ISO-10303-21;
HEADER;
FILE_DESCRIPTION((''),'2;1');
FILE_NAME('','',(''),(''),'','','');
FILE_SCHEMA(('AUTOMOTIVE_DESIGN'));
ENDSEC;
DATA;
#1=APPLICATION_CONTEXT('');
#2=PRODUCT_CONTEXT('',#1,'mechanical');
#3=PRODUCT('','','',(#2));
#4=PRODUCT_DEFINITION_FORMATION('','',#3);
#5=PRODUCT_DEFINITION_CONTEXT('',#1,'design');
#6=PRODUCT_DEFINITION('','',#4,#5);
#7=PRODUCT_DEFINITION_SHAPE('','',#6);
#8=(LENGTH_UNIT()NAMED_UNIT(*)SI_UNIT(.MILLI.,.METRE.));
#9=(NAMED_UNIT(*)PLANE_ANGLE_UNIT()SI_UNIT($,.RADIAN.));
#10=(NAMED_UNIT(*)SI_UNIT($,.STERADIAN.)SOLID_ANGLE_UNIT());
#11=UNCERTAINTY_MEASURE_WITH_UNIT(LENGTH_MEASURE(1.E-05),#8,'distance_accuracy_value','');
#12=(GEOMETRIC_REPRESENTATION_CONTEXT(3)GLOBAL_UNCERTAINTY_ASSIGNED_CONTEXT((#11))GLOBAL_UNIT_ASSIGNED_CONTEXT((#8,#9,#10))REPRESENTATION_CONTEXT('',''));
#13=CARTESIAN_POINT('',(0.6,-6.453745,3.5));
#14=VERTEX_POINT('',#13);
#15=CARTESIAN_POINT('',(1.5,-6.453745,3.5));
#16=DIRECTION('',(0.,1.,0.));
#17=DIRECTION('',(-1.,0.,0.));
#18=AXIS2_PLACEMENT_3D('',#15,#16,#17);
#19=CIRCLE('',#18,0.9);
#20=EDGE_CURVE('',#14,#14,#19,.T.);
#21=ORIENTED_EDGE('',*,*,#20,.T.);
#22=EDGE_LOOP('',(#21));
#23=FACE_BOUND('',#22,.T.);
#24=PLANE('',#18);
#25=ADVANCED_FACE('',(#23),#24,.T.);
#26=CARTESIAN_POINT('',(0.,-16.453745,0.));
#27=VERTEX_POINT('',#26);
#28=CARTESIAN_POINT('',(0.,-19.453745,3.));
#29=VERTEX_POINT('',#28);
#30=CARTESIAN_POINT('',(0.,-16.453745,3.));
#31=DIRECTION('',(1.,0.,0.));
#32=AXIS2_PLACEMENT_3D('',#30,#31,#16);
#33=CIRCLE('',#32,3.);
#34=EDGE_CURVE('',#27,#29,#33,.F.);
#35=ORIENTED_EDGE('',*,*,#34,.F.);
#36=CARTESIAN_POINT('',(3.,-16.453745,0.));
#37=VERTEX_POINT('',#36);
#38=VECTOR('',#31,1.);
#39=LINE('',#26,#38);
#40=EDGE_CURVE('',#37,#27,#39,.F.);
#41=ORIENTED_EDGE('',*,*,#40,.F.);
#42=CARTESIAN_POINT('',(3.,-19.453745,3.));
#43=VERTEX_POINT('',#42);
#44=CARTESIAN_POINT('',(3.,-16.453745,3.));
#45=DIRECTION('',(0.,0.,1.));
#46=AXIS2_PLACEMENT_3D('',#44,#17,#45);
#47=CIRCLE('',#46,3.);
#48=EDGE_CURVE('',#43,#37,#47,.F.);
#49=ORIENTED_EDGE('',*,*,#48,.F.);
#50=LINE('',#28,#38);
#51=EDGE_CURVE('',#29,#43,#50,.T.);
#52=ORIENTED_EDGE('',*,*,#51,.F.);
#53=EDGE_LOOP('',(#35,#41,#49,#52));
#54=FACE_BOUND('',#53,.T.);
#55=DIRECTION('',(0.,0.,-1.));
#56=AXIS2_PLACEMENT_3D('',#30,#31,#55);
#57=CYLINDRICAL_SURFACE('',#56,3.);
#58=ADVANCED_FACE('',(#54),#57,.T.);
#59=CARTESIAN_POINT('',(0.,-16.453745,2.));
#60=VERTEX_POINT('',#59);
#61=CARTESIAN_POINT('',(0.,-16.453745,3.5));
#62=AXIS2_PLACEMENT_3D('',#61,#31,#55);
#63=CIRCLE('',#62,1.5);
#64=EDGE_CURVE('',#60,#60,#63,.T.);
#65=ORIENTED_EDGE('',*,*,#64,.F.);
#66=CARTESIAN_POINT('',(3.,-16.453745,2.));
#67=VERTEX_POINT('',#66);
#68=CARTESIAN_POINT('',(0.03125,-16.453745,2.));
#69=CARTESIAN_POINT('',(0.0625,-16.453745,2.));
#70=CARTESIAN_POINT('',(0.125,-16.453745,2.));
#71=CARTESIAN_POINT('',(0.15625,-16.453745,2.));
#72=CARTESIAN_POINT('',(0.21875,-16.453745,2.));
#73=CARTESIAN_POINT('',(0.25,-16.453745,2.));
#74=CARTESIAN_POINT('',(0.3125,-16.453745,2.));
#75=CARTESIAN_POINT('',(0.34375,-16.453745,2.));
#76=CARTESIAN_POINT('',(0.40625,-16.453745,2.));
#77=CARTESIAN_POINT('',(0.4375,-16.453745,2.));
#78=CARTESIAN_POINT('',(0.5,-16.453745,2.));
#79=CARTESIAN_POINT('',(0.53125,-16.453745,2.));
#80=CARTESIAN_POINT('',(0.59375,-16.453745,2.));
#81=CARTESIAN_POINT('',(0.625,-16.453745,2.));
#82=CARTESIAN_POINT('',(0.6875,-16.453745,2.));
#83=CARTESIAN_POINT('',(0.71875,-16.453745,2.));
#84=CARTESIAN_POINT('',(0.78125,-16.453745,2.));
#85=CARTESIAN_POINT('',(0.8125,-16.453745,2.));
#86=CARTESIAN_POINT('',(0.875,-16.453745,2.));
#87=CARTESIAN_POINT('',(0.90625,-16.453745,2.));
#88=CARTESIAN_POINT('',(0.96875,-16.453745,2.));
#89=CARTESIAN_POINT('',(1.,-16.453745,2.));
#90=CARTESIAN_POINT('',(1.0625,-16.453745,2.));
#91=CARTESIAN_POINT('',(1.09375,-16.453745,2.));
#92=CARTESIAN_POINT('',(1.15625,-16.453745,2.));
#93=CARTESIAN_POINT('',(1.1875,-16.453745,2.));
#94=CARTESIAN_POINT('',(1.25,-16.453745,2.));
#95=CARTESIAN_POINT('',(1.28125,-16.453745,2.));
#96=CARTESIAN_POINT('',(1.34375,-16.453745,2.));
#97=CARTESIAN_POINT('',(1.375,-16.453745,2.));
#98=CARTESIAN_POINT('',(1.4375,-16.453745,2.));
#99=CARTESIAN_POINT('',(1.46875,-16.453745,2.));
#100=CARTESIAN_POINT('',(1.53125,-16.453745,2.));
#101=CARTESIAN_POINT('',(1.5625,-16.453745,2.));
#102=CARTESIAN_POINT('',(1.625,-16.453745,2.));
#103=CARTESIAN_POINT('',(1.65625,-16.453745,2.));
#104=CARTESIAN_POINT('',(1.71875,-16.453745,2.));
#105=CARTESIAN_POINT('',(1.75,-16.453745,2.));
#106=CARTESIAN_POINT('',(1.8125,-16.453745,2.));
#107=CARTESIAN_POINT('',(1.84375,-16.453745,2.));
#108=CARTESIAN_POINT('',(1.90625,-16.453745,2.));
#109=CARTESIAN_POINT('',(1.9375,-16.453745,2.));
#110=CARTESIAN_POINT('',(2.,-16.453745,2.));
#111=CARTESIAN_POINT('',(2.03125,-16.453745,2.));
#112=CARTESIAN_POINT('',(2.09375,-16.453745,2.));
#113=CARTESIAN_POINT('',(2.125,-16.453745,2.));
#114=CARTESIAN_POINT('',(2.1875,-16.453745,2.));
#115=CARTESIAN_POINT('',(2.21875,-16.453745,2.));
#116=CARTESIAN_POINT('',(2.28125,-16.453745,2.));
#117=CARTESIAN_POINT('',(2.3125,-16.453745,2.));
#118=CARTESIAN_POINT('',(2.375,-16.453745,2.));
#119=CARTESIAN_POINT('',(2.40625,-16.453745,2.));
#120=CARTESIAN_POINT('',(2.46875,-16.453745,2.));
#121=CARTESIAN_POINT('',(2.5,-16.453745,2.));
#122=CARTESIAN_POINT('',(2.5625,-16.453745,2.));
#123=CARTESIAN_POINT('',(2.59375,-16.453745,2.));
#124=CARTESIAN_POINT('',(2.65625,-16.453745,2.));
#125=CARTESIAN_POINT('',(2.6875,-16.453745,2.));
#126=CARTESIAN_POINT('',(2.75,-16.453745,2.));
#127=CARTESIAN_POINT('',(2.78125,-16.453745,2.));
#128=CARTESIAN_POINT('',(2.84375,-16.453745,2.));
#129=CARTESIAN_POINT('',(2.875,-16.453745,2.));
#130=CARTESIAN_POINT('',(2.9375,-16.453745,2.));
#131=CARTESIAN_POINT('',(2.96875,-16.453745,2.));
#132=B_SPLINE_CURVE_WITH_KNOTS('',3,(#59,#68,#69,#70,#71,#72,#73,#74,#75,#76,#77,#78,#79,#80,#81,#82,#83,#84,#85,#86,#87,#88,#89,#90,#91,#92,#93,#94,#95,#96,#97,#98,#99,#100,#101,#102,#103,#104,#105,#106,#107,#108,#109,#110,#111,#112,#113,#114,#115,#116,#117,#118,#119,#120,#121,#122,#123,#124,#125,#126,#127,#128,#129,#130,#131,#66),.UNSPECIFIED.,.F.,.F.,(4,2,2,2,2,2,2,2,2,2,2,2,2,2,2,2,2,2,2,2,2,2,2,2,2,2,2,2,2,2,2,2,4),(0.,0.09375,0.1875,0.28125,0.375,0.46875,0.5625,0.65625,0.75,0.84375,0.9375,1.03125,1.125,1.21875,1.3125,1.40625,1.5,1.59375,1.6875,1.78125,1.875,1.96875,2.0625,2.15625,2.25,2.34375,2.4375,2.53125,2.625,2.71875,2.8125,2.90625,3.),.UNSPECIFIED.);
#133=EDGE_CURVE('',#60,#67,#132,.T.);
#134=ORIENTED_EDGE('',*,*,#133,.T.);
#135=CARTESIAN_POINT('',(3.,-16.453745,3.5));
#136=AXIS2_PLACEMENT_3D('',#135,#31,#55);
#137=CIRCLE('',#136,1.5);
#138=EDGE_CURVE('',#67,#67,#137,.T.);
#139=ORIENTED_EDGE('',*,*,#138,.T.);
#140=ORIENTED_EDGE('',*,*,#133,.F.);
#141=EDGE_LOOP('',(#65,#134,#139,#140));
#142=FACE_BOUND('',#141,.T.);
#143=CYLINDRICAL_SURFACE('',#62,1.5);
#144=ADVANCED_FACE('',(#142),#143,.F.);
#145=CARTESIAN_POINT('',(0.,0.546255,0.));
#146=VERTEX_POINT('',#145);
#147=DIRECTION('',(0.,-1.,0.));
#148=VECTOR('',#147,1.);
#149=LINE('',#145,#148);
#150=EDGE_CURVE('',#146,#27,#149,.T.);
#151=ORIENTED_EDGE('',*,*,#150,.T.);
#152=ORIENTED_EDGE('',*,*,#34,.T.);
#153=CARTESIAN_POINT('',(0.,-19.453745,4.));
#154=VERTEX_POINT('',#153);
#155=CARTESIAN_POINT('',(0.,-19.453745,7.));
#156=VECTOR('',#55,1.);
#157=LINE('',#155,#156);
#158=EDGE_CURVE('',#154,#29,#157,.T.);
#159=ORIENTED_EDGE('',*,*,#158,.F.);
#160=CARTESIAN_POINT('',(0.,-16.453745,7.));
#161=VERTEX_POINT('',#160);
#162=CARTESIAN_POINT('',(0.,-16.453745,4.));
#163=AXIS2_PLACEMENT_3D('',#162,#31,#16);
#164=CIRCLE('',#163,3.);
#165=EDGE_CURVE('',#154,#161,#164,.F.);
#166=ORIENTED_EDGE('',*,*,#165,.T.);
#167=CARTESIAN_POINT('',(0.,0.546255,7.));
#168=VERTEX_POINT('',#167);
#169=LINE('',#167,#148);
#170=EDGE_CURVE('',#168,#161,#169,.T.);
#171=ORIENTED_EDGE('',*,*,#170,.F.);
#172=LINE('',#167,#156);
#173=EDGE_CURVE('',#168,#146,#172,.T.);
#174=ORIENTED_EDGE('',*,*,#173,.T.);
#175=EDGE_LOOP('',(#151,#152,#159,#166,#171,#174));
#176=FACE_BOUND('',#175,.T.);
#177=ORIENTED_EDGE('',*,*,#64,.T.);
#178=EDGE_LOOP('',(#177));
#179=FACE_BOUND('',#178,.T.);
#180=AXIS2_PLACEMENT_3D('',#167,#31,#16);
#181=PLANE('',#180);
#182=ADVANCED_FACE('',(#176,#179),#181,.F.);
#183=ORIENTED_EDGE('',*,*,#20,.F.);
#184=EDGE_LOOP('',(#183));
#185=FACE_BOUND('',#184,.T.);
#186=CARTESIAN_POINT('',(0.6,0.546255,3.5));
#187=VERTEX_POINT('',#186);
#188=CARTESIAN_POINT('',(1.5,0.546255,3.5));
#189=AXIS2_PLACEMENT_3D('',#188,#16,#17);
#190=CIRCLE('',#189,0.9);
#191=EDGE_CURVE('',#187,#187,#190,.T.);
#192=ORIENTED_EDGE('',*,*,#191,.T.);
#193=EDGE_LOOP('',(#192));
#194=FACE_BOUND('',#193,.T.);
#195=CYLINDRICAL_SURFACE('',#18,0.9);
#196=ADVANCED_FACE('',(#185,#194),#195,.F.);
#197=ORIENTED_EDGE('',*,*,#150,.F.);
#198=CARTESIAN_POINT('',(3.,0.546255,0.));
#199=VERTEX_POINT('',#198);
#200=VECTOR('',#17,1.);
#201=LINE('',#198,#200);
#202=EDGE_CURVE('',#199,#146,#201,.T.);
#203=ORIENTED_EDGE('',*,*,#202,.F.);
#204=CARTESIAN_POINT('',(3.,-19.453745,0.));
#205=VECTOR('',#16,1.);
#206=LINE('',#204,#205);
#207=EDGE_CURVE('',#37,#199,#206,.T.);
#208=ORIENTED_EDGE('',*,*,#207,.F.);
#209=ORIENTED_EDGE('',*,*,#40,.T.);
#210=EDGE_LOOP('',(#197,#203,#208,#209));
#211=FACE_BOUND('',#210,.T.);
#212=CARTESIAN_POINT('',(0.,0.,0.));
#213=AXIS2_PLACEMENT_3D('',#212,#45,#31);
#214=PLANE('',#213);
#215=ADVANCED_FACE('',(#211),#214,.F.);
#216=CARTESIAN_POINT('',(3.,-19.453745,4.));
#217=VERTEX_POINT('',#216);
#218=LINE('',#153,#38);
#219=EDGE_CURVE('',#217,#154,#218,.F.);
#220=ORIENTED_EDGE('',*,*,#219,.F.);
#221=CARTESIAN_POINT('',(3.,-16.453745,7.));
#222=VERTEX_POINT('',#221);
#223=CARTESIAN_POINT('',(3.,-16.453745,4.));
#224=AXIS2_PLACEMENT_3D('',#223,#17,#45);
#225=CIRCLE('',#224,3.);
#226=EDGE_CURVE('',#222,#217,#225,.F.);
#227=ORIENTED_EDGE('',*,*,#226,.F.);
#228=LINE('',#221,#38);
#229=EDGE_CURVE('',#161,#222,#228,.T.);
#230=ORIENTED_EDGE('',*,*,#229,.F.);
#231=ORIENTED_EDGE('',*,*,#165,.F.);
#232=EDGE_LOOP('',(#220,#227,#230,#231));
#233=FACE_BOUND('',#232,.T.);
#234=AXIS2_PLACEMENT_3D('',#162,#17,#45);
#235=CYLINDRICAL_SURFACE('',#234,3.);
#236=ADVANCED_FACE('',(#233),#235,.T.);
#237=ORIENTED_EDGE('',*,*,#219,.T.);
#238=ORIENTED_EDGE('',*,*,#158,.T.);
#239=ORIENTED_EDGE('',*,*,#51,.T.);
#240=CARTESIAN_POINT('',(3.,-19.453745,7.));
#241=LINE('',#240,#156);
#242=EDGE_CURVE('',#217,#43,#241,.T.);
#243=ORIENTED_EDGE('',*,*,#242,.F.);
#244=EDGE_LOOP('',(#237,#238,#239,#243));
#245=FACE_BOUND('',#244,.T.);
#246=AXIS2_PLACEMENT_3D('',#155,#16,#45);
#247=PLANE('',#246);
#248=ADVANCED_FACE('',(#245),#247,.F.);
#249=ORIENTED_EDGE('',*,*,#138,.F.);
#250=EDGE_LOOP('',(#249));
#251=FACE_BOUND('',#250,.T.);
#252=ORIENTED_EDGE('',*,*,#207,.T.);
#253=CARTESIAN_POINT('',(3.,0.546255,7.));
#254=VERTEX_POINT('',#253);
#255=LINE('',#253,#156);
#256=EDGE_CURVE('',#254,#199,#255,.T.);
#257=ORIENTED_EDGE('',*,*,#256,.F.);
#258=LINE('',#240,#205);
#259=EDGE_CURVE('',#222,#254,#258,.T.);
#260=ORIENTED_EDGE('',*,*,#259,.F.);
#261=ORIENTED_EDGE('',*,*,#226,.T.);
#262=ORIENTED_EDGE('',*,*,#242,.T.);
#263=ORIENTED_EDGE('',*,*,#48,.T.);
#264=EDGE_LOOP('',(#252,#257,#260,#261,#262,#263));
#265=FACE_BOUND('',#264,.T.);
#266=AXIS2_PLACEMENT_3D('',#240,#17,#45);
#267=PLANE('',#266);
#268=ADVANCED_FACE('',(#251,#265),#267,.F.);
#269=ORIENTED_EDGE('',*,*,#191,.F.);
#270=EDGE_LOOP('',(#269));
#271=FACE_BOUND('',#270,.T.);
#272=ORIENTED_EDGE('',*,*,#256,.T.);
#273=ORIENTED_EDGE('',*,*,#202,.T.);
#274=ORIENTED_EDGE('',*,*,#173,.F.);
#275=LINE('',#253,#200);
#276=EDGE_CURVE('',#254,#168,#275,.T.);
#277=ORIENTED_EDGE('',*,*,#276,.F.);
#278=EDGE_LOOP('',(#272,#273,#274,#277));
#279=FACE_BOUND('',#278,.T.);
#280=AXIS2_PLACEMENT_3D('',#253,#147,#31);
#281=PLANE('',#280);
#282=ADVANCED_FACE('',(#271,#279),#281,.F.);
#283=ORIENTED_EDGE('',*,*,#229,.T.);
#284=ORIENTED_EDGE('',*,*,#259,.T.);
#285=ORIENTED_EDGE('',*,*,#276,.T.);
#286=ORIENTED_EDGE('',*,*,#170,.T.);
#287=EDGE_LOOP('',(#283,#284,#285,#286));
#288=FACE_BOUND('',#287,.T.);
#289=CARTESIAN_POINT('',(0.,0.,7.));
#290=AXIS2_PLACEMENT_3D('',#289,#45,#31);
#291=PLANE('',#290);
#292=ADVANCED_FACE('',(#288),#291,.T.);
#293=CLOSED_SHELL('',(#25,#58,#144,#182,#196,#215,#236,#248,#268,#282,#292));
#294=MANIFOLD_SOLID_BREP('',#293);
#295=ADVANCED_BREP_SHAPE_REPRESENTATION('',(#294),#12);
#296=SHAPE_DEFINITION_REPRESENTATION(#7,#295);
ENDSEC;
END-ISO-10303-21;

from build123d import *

# Parameters (mm, degrees)
SKETCH_1_W          = 3
SKETCH_1_H          = 20
EXTRUDE_1_DEPTH     = 7
SKETCH_4_R          = 1.5
CUT_EXTRUDE_2_DEPTH = 21.891342993
FILLET_1_R          = 3
SKETCH_3_R          = 0.9
CUT_EXTRUDE_4_DEPTH = 7


with BuildPart() as part:
    # 草图1 → 凸台-拉伸1 (new body)
    with BuildSketch(Plane.XY):
        with Locations((1.5, -9.453745451)):
            Rectangle(SKETCH_1_W, SKETCH_1_H)
    extrude(amount=EXTRUDE_1_DEPTH)

    # 草图4 → 切除-拉伸2 (cut, through all)
    with BuildSketch(Plane(origin=(3, 0, 0), x_dir=(0, 0, -1), z_dir=(1, 0, 0))):
        with Locations((-3.5, -16.453745451)):
            Circle(SKETCH_4_R)
    extrude(amount=-CUT_EXTRUDE_2_DEPTH, mode=Mode.SUBTRACT)

    # 圆角1
    fillet_1_edges = [part.edges().sort_by_distance(p)[0] for p in [
        (1.5, -19.453745451, 7),
        (1.5, -19.453745451, 0),
    ]]
    fillet(fillet_1_edges, radius=FILLET_1_R)

    # 草图3 → 切除-拉伸4 (cut)
    with BuildSketch(Plane(origin=(0, 0.546254549, 0), x_dir=(1, 0, 0), z_dir=(0, 1, 0))):
        with Locations(Location((1.5, -3.5, 0), (0, 0, 180))):
            Circle(SKETCH_3_R)
    extrude(amount=-CUT_EXTRUDE_4_DEPTH, mode=Mode.SUBTRACT)


solid = part.part
